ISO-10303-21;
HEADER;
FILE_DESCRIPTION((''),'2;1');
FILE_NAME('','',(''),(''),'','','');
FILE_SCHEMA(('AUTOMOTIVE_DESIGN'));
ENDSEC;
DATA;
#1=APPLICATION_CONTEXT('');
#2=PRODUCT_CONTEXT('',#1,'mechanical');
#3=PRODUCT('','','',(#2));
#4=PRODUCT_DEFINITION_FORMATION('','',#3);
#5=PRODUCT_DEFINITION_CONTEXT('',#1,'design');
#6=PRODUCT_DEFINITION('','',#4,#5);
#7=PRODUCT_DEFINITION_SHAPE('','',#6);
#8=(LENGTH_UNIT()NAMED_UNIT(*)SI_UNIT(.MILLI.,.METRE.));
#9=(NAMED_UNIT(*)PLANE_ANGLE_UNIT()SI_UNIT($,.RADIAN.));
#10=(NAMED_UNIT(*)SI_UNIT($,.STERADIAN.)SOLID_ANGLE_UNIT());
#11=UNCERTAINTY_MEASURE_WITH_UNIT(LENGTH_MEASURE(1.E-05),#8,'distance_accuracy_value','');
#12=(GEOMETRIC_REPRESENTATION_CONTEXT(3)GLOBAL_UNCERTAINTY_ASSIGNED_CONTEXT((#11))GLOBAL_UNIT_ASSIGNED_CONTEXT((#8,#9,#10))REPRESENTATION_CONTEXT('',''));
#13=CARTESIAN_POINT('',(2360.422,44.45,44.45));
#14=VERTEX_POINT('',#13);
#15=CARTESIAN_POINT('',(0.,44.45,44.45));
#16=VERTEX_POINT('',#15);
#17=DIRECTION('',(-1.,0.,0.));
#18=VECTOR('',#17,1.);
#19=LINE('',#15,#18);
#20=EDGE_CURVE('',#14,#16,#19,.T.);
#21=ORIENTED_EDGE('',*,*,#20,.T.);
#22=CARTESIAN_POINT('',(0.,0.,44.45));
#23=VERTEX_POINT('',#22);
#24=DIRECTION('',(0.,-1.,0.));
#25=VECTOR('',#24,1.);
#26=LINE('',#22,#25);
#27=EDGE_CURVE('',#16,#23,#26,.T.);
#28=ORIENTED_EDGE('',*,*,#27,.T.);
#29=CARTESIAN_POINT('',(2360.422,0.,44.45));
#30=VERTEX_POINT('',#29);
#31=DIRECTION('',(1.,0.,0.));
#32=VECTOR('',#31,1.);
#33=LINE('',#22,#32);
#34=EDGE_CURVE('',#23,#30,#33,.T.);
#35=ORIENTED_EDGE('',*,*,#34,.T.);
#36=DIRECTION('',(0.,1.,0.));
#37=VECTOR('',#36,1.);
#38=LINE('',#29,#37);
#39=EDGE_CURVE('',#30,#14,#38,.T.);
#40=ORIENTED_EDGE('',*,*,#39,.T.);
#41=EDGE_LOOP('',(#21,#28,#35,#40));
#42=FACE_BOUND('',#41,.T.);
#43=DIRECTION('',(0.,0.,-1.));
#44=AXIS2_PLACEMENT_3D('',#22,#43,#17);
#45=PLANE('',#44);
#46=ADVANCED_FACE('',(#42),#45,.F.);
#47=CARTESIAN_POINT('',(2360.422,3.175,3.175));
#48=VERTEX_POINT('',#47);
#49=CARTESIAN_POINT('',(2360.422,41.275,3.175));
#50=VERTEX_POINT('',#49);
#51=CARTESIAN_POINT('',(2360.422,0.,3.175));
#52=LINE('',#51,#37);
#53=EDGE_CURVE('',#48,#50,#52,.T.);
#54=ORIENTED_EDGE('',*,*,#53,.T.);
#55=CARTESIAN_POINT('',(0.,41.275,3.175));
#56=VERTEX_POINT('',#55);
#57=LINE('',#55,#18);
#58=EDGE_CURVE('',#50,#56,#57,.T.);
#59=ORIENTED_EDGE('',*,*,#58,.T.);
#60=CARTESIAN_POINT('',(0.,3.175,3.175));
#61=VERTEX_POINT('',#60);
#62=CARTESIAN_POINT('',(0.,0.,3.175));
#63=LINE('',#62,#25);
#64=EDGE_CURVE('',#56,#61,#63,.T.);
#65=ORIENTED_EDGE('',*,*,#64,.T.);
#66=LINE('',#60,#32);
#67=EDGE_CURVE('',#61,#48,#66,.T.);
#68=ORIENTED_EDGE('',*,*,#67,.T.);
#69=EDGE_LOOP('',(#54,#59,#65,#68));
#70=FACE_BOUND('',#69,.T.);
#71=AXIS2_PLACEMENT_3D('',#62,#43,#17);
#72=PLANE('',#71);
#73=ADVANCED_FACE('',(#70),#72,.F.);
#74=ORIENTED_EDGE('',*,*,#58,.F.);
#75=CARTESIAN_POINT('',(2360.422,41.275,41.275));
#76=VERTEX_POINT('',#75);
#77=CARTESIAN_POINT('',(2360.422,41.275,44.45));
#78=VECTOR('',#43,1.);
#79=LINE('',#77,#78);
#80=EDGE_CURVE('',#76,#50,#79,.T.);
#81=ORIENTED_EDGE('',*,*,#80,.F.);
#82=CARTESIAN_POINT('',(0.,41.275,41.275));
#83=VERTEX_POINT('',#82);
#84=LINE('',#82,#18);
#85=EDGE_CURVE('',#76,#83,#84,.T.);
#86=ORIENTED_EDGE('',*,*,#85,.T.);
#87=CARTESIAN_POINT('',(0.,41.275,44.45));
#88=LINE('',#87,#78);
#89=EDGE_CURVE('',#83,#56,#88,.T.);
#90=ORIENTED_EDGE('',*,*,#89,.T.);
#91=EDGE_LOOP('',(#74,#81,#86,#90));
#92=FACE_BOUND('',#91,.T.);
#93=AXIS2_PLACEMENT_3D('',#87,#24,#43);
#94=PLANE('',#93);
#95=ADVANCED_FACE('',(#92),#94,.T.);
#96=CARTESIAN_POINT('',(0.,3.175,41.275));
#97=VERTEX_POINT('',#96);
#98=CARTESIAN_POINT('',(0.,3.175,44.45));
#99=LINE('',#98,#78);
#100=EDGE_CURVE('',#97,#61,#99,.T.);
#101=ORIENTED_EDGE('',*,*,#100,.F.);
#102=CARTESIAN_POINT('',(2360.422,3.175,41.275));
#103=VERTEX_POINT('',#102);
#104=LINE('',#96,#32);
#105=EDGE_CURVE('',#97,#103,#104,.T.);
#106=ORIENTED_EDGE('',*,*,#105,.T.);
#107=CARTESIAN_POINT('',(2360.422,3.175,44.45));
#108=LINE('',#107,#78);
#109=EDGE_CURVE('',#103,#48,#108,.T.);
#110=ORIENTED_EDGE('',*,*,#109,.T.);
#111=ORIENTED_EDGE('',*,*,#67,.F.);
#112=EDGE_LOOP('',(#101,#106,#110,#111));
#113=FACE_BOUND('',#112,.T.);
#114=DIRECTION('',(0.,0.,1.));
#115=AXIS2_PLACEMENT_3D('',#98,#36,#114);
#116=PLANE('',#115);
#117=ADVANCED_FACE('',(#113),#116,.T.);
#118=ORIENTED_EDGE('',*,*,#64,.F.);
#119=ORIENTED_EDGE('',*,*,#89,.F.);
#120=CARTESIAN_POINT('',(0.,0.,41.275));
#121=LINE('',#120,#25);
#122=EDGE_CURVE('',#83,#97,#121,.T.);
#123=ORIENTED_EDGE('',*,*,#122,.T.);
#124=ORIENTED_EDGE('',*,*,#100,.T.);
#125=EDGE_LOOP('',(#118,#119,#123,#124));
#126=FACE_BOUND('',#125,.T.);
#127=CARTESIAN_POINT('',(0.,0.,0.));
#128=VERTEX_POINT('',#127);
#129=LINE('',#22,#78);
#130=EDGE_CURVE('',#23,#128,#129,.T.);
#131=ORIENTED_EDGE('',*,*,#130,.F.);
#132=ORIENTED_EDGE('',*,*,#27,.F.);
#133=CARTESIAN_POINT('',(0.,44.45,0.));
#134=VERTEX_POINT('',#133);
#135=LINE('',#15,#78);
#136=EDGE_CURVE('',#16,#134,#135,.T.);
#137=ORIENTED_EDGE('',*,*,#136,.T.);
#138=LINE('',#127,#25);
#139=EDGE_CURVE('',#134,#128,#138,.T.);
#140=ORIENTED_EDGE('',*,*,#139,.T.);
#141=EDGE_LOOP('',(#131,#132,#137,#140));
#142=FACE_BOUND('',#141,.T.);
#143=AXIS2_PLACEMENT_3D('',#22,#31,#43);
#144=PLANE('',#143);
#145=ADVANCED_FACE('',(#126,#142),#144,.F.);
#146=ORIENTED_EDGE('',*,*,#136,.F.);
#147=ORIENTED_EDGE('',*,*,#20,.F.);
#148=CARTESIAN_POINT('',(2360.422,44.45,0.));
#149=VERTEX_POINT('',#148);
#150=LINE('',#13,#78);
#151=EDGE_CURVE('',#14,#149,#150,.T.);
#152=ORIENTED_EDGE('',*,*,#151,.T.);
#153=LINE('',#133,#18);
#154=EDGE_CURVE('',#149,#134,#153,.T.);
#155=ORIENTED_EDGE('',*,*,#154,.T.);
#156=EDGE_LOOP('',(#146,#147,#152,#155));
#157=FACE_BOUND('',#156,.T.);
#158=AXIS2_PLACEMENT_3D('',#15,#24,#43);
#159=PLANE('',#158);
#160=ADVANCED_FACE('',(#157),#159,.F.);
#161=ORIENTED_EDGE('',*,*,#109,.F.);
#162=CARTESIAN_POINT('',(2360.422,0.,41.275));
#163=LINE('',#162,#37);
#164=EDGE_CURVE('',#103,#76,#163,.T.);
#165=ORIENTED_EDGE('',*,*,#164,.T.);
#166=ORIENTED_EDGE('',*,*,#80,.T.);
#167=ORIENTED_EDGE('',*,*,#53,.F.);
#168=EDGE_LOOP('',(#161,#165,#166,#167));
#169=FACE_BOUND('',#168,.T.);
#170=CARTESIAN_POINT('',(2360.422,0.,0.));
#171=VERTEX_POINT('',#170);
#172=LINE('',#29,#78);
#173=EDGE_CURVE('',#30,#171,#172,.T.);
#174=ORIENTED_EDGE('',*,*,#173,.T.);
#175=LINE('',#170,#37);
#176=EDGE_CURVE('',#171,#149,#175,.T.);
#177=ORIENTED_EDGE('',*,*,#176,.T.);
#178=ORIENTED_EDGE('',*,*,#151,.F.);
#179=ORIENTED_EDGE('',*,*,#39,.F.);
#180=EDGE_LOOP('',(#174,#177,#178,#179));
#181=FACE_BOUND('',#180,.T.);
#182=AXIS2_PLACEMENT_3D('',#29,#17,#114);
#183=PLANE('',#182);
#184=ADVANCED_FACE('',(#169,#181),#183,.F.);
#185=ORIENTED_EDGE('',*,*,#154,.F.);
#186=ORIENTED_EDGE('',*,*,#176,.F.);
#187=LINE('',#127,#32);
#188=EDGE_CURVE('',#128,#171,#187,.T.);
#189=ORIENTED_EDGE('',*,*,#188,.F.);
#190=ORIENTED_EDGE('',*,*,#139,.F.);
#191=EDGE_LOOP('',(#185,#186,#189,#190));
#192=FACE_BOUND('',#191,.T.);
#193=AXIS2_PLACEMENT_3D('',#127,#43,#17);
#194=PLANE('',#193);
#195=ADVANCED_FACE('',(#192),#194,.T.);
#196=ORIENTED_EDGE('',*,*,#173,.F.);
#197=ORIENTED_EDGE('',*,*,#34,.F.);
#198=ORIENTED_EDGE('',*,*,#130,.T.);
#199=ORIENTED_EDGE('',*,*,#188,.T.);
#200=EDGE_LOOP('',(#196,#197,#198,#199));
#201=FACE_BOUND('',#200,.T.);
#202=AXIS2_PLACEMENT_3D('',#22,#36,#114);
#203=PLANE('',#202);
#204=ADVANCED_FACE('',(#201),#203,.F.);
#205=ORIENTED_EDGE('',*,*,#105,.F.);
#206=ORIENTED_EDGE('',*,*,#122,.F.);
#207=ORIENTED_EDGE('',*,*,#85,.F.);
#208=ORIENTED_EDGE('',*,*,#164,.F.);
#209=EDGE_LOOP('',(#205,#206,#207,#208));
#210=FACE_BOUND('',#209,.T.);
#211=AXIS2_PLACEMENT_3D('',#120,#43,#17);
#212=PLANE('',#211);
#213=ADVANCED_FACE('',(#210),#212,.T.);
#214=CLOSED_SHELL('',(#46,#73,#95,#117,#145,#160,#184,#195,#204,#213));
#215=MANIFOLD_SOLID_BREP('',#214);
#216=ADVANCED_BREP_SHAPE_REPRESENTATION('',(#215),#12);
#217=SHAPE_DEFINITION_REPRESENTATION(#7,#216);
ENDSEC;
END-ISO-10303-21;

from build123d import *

# Parameters (mm, degrees)
SKETCH1_W           = 2360.422
SKETCH1_H           = 44.45
BOSS_EXTRUDE1_DEPTH = 44.45
SHELL1_T            = -3.175


with BuildPart() as part:
    # Sketch1 → Boss-Extrude1 (new body)
    with BuildSketch(Plane.XY):
        with Locations((1180.211, 22.225)):
            Rectangle(SKETCH1_W, SKETCH1_H)
    extrude(amount=BOSS_EXTRUDE1_DEPTH)

    # Shell1
    shell1_openings = [part.faces().sort_by_distance(p)[0] for p in [
        (2360.422, 22.225, 22.225),
        (0, 22.225, 22.225),
    ]]
    offset(amount=SHELL1_T, openings=shell1_openings, kind=Kind.INTERSECTION)


solid = part.part
